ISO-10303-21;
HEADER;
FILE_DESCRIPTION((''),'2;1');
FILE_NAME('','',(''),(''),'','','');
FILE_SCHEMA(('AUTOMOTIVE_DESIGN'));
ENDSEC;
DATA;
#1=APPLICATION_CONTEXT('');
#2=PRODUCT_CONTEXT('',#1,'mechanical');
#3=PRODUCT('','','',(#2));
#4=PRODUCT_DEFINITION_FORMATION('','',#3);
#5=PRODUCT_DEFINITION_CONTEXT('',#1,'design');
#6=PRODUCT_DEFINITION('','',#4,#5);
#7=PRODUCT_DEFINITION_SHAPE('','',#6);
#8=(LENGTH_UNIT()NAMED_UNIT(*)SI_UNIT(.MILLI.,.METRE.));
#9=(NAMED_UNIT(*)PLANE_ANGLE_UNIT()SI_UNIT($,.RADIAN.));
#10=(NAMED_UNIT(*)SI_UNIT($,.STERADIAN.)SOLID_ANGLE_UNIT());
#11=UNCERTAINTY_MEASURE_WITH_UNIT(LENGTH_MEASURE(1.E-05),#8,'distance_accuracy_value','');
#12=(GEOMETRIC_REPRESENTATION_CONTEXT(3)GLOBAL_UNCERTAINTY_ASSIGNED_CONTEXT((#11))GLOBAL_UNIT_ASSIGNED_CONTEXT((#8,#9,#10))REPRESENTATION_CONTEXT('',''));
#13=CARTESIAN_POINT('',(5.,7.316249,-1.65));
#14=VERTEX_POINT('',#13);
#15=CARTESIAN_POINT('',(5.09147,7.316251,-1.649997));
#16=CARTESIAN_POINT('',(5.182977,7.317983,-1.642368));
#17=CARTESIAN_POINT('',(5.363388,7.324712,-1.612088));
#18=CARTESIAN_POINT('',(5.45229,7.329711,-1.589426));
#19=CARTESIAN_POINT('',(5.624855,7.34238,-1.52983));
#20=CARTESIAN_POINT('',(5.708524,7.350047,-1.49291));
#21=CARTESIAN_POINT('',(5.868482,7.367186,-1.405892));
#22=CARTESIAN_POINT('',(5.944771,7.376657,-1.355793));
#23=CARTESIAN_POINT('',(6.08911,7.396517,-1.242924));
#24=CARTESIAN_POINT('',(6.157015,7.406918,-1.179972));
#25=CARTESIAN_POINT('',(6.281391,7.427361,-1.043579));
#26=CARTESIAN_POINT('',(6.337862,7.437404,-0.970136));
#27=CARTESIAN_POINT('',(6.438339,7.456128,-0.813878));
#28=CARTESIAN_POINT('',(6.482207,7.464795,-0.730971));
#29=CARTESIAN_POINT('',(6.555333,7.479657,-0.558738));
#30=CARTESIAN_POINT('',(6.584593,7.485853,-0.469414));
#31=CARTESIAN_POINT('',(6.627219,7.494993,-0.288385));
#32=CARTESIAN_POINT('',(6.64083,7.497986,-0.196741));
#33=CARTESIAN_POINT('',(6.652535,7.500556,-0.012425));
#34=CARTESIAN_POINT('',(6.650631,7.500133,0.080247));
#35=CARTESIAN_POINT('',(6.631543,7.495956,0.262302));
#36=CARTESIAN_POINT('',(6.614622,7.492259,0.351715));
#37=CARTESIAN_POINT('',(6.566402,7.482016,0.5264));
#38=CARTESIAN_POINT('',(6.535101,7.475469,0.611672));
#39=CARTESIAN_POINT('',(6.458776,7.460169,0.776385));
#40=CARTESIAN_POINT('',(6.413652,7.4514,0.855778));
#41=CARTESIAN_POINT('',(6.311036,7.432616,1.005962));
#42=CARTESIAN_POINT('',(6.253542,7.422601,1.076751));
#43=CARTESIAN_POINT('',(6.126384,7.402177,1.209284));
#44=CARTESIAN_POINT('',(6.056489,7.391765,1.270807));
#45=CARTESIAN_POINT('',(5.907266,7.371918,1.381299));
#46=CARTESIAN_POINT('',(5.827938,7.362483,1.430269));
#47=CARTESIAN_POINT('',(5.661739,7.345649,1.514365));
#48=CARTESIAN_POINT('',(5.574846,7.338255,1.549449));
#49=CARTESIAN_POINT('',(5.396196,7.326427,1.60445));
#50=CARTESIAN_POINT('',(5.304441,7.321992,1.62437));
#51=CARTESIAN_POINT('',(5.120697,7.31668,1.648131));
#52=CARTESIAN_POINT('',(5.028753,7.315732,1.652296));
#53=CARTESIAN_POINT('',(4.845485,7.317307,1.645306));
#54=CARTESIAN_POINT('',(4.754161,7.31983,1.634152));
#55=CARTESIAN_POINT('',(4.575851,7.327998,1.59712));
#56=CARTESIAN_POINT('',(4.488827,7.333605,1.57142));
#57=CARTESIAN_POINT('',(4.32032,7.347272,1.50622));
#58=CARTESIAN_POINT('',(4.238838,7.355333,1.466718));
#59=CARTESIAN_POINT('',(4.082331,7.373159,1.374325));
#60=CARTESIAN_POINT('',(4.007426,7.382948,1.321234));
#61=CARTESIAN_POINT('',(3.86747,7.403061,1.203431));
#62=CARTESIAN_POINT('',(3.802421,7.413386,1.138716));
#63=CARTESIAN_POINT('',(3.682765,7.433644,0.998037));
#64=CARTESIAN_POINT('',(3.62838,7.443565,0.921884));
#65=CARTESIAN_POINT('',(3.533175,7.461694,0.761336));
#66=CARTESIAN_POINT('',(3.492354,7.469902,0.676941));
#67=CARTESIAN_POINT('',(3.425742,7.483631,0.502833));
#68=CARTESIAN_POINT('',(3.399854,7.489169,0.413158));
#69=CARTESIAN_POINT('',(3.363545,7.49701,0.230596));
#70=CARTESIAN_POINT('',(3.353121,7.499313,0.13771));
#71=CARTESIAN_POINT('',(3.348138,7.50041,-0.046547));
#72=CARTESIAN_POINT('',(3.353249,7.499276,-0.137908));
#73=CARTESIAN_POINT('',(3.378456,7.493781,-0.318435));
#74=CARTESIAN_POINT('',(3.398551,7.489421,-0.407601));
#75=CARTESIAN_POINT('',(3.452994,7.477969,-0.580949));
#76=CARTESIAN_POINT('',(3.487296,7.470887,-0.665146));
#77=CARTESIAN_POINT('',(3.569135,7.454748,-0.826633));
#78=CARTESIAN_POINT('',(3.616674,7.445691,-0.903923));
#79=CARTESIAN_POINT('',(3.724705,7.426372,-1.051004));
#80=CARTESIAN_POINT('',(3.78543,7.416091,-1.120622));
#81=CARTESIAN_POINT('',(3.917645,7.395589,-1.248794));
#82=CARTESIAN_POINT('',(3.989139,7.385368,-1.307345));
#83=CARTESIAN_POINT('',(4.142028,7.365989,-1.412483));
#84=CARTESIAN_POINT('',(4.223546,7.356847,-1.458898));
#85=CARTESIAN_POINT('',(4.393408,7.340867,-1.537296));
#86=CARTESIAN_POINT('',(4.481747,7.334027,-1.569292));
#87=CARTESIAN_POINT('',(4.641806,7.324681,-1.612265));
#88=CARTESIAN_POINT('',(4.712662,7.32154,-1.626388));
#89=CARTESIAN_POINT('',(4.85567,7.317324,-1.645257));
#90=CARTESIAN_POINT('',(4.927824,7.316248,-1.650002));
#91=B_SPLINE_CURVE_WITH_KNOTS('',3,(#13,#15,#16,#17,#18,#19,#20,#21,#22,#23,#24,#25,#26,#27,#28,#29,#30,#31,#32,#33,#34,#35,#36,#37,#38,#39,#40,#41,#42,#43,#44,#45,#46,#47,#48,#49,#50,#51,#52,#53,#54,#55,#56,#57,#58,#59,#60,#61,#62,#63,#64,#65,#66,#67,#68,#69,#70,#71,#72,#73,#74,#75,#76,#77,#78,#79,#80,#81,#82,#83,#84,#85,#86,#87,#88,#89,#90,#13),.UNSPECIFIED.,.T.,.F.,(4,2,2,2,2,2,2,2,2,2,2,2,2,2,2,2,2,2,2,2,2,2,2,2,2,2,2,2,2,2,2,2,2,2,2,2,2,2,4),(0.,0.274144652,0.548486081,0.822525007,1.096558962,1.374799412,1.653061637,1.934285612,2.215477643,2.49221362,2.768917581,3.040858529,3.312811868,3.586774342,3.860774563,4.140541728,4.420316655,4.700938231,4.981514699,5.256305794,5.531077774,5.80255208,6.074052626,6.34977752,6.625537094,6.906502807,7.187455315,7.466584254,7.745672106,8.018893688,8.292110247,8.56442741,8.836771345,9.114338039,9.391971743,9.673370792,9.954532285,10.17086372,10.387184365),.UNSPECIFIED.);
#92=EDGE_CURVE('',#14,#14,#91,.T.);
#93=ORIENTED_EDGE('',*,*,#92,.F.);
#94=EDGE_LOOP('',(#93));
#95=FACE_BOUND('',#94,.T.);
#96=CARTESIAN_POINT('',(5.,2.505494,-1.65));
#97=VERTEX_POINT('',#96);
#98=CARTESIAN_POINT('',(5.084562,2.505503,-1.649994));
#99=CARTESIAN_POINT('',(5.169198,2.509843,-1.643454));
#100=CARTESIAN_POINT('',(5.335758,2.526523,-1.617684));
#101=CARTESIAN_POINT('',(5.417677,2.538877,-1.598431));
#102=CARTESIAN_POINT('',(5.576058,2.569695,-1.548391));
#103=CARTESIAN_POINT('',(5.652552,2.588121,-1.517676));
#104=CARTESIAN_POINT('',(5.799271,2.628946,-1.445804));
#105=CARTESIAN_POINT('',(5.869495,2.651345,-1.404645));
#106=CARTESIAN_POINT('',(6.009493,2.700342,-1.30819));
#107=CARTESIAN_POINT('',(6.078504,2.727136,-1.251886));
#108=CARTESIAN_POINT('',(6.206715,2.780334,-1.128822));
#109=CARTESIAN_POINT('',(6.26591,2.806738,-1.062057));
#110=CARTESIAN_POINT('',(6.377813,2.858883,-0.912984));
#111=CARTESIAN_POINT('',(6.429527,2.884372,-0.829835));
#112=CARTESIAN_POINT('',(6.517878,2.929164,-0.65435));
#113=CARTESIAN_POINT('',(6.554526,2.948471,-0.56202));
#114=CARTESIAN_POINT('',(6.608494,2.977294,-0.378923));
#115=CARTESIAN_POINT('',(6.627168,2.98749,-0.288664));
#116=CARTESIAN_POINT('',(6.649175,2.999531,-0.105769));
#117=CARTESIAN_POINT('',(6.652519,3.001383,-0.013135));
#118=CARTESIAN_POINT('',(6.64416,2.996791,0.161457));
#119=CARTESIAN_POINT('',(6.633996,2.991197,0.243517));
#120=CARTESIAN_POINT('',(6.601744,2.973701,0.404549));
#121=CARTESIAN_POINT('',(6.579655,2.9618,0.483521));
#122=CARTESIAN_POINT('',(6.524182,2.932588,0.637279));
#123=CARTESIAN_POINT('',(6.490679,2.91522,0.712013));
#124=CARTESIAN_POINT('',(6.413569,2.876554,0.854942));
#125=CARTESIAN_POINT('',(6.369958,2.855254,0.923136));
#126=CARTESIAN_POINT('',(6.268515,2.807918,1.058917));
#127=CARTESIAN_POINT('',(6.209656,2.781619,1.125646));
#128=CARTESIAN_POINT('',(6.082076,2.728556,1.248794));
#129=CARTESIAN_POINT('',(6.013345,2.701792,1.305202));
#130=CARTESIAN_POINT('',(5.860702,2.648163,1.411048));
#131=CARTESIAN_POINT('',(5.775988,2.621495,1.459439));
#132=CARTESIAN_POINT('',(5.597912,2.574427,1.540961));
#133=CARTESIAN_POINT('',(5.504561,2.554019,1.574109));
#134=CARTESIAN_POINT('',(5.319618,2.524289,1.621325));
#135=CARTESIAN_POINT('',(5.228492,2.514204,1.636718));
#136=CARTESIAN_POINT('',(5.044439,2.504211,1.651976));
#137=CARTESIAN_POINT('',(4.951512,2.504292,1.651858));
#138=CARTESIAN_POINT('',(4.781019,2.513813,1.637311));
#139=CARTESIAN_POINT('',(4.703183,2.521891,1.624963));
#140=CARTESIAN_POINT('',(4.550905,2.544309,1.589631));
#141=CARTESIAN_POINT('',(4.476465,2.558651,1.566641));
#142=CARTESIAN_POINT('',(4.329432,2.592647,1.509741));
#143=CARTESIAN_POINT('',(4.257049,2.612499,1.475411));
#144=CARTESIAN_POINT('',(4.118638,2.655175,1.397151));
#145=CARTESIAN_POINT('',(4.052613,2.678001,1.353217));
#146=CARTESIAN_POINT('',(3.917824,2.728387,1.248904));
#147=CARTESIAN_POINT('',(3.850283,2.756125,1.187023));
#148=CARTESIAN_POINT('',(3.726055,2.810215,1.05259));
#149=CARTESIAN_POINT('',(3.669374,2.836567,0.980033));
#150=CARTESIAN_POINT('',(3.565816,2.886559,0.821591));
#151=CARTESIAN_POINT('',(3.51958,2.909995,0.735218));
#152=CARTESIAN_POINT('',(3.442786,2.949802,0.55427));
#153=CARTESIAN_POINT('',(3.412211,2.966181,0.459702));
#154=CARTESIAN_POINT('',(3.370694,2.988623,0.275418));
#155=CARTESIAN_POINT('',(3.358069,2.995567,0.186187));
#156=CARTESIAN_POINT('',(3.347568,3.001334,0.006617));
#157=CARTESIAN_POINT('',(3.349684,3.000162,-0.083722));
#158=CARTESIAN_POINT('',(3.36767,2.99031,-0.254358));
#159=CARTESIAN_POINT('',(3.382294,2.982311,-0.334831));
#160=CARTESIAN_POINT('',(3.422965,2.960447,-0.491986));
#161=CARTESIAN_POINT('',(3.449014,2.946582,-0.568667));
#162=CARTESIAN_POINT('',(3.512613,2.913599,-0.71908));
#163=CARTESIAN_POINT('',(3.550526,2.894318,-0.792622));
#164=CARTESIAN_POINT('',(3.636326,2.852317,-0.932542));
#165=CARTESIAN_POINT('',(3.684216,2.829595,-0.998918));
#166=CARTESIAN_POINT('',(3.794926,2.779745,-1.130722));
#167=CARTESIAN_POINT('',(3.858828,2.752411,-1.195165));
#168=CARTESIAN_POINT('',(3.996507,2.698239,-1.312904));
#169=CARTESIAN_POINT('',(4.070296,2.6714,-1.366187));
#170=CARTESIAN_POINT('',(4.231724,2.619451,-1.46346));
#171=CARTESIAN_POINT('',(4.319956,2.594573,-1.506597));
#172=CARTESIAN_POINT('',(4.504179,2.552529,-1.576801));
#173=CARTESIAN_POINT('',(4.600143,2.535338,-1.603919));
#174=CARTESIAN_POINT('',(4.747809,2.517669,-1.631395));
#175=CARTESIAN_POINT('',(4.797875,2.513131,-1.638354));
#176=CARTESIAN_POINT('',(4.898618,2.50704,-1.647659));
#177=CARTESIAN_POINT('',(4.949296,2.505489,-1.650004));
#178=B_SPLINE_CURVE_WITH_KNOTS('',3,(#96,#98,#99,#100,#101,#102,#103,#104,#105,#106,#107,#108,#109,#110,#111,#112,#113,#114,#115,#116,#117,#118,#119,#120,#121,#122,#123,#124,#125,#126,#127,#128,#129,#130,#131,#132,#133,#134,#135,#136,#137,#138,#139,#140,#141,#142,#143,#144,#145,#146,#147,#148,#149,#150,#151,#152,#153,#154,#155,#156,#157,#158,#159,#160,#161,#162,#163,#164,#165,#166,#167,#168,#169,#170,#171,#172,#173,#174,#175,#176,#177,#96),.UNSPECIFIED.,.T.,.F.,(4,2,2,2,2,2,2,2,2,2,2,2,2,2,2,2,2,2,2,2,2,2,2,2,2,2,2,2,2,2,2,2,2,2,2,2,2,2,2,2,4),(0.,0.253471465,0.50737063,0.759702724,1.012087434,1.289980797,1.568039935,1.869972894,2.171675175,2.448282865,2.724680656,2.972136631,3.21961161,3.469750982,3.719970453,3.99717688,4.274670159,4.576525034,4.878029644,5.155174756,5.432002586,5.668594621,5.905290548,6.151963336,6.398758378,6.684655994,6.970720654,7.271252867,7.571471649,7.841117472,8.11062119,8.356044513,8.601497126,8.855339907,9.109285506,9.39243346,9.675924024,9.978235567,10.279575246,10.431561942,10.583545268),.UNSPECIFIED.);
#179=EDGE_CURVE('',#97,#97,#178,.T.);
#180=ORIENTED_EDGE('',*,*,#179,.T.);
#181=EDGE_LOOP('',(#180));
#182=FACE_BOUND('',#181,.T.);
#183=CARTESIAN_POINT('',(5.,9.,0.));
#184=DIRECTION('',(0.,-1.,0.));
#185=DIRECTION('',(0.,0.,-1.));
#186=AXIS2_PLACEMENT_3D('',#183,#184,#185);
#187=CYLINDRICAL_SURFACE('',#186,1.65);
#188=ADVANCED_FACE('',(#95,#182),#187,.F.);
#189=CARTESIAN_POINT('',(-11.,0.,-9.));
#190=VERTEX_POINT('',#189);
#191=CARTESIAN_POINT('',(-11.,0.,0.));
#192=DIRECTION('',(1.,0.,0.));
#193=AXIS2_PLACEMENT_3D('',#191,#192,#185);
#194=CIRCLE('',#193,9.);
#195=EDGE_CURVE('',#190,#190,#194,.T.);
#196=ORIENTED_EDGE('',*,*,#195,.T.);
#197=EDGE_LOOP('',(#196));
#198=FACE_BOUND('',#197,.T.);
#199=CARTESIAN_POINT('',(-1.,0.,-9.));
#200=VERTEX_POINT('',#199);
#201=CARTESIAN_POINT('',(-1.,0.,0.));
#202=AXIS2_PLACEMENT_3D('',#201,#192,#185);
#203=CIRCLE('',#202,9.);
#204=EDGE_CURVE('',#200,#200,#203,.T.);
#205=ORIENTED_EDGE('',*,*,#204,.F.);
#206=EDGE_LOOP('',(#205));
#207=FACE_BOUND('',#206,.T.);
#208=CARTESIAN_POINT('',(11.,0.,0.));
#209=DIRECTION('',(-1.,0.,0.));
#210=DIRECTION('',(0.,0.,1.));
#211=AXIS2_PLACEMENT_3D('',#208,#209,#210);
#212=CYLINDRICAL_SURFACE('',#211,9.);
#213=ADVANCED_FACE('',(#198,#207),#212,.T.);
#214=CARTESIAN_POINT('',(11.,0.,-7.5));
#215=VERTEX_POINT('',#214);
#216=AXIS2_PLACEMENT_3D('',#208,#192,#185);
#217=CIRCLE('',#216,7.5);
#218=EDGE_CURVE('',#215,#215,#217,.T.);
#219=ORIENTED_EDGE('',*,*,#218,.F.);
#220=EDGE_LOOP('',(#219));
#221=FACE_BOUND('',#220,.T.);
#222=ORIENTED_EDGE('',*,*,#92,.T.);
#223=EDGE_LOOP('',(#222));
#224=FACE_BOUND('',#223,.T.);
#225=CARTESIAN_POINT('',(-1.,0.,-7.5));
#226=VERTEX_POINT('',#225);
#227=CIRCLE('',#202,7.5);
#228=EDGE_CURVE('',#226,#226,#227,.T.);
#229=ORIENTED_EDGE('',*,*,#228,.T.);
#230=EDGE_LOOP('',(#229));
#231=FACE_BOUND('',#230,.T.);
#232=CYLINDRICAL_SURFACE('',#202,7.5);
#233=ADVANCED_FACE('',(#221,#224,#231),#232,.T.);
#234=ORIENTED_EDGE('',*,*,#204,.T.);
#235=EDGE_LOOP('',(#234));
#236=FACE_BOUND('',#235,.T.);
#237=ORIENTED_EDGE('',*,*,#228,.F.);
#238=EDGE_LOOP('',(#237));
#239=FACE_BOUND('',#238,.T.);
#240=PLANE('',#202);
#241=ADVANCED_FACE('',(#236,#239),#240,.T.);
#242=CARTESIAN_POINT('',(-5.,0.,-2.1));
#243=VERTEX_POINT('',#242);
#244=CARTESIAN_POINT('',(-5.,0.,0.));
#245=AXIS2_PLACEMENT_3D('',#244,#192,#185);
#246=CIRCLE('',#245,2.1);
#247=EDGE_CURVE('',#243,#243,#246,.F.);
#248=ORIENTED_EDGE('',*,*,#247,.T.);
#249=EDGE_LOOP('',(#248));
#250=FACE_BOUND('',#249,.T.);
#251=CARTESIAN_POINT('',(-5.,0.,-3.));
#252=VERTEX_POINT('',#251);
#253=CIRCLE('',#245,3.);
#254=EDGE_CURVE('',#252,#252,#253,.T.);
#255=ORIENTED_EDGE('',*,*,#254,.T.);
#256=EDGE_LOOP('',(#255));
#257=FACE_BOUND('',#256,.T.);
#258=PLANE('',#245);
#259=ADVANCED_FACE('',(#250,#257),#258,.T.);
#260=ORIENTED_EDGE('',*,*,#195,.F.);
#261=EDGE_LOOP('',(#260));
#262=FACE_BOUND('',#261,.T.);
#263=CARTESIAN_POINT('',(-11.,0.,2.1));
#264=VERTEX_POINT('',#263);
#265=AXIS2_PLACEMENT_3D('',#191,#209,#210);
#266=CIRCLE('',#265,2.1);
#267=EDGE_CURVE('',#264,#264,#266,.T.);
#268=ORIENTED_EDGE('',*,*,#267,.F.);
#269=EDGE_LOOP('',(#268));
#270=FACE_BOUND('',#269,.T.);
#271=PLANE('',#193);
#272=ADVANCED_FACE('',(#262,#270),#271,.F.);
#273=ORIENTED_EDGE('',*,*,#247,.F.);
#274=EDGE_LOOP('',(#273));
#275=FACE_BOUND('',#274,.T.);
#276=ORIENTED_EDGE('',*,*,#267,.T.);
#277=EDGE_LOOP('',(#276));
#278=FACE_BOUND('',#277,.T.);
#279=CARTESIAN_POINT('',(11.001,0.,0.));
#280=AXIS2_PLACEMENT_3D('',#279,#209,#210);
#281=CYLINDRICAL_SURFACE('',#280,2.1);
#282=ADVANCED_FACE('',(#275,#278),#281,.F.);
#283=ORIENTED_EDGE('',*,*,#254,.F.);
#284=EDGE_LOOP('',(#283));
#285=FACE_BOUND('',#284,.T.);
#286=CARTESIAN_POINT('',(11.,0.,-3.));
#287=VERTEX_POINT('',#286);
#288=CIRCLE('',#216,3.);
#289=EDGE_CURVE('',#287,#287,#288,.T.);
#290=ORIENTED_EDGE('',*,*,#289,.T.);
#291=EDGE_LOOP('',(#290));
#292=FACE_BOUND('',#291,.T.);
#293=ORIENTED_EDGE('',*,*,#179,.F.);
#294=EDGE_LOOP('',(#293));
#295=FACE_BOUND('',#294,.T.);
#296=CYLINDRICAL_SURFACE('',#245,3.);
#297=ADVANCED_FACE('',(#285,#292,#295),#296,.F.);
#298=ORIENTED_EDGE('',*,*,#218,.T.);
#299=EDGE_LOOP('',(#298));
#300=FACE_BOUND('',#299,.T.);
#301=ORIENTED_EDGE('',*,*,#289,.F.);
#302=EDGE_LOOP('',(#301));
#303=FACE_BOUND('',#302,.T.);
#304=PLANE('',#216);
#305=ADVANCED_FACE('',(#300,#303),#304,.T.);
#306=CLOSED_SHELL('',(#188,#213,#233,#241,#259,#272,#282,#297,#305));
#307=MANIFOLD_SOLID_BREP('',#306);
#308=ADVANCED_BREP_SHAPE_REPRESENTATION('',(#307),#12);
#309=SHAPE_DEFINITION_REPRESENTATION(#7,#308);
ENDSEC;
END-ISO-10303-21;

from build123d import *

# Parameters (mm, degrees)
ESBO_O1_R                = 9
RESSALTO_EXTRUS_O1_DEPTH = 11
ESBO_O2_R                = 9
ESBO_O2_R_2              = 7.5
CORTE_EXTRUS_O1_DEPTH    = 12
ESBO_O3_R                = 3
CORTE_EXTRUS_O2_DEPTH    = 16
CORTE_EXTRUS_O3_REACH    = 27.417
ESBO_O4_R                = 2.1
ESBO_O8_R                = 1.65
CORTE_EXTRUS_O4_DEPTH    = 17.822603841


with BuildPart() as part:
    # Esboço1 → Ressalto-extrusão1 (new, symmetric)
    with BuildSketch(Plane(origin=(0, 0, 0), x_dir=(0, 0, -1), z_dir=(1, 0, 0))):
        Circle(ESBO_O1_R)
    extrude(amount=RESSALTO_EXTRUS_O1_DEPTH, both=True)

    # Esboço2 → Corte-extrusão1 (cut)
    with BuildSketch(Plane(origin=(11, 0, 0), x_dir=(0, 0, -1), z_dir=(1, 0, 0))):
        Circle(ESBO_O2_R)
        Circle(ESBO_O2_R_2, mode=Mode.SUBTRACT)
    extrude(amount=-CORTE_EXTRUS_O1_DEPTH, mode=Mode.SUBTRACT)

    # Esboço3 → Corte-extrusão2 (cut)
    with BuildSketch(Plane(origin=(11, 0, 0), x_dir=(0, 0, -1), z_dir=(1, 0, 0))):
        Circle(ESBO_O3_R)
    extrude(amount=-CORTE_EXTRUS_O2_DEPTH, mode=Mode.SUBTRACT)

    # Esboço4 → Corte-extrusão3 (cut, up to next)
    with BuildSketch(Plane.ZY.offset(11), mode=Mode.PRIVATE) as corte_extrus_o3_sk1:
        Circle(ESBO_O4_R)
    corte_extrus_o3_tool1 = extrude(corte_extrus_o3_sk1.sketch, amount=-CORTE_EXTRUS_O3_REACH, mode=Mode.PRIVATE) & part.part
    add(corte_extrus_o3_tool1.solids().sort_by_distance((-11, 0, 0))[0], mode=Mode.SUBTRACT)

    # Esboço8 → Corte-extrusão4 (cut, through all)
    with BuildSketch(Plane(origin=(0, 0, 0), x_dir=(1, 0, 0), z_dir=(0, 1, 0))):
        with Locations(Location((5, 0, 0), (0, 0, 90))):
            Circle(ESBO_O8_R)
    extrude(amount=CORTE_EXTRUS_O4_DEPTH, mode=Mode.SUBTRACT)


solid = part.part
